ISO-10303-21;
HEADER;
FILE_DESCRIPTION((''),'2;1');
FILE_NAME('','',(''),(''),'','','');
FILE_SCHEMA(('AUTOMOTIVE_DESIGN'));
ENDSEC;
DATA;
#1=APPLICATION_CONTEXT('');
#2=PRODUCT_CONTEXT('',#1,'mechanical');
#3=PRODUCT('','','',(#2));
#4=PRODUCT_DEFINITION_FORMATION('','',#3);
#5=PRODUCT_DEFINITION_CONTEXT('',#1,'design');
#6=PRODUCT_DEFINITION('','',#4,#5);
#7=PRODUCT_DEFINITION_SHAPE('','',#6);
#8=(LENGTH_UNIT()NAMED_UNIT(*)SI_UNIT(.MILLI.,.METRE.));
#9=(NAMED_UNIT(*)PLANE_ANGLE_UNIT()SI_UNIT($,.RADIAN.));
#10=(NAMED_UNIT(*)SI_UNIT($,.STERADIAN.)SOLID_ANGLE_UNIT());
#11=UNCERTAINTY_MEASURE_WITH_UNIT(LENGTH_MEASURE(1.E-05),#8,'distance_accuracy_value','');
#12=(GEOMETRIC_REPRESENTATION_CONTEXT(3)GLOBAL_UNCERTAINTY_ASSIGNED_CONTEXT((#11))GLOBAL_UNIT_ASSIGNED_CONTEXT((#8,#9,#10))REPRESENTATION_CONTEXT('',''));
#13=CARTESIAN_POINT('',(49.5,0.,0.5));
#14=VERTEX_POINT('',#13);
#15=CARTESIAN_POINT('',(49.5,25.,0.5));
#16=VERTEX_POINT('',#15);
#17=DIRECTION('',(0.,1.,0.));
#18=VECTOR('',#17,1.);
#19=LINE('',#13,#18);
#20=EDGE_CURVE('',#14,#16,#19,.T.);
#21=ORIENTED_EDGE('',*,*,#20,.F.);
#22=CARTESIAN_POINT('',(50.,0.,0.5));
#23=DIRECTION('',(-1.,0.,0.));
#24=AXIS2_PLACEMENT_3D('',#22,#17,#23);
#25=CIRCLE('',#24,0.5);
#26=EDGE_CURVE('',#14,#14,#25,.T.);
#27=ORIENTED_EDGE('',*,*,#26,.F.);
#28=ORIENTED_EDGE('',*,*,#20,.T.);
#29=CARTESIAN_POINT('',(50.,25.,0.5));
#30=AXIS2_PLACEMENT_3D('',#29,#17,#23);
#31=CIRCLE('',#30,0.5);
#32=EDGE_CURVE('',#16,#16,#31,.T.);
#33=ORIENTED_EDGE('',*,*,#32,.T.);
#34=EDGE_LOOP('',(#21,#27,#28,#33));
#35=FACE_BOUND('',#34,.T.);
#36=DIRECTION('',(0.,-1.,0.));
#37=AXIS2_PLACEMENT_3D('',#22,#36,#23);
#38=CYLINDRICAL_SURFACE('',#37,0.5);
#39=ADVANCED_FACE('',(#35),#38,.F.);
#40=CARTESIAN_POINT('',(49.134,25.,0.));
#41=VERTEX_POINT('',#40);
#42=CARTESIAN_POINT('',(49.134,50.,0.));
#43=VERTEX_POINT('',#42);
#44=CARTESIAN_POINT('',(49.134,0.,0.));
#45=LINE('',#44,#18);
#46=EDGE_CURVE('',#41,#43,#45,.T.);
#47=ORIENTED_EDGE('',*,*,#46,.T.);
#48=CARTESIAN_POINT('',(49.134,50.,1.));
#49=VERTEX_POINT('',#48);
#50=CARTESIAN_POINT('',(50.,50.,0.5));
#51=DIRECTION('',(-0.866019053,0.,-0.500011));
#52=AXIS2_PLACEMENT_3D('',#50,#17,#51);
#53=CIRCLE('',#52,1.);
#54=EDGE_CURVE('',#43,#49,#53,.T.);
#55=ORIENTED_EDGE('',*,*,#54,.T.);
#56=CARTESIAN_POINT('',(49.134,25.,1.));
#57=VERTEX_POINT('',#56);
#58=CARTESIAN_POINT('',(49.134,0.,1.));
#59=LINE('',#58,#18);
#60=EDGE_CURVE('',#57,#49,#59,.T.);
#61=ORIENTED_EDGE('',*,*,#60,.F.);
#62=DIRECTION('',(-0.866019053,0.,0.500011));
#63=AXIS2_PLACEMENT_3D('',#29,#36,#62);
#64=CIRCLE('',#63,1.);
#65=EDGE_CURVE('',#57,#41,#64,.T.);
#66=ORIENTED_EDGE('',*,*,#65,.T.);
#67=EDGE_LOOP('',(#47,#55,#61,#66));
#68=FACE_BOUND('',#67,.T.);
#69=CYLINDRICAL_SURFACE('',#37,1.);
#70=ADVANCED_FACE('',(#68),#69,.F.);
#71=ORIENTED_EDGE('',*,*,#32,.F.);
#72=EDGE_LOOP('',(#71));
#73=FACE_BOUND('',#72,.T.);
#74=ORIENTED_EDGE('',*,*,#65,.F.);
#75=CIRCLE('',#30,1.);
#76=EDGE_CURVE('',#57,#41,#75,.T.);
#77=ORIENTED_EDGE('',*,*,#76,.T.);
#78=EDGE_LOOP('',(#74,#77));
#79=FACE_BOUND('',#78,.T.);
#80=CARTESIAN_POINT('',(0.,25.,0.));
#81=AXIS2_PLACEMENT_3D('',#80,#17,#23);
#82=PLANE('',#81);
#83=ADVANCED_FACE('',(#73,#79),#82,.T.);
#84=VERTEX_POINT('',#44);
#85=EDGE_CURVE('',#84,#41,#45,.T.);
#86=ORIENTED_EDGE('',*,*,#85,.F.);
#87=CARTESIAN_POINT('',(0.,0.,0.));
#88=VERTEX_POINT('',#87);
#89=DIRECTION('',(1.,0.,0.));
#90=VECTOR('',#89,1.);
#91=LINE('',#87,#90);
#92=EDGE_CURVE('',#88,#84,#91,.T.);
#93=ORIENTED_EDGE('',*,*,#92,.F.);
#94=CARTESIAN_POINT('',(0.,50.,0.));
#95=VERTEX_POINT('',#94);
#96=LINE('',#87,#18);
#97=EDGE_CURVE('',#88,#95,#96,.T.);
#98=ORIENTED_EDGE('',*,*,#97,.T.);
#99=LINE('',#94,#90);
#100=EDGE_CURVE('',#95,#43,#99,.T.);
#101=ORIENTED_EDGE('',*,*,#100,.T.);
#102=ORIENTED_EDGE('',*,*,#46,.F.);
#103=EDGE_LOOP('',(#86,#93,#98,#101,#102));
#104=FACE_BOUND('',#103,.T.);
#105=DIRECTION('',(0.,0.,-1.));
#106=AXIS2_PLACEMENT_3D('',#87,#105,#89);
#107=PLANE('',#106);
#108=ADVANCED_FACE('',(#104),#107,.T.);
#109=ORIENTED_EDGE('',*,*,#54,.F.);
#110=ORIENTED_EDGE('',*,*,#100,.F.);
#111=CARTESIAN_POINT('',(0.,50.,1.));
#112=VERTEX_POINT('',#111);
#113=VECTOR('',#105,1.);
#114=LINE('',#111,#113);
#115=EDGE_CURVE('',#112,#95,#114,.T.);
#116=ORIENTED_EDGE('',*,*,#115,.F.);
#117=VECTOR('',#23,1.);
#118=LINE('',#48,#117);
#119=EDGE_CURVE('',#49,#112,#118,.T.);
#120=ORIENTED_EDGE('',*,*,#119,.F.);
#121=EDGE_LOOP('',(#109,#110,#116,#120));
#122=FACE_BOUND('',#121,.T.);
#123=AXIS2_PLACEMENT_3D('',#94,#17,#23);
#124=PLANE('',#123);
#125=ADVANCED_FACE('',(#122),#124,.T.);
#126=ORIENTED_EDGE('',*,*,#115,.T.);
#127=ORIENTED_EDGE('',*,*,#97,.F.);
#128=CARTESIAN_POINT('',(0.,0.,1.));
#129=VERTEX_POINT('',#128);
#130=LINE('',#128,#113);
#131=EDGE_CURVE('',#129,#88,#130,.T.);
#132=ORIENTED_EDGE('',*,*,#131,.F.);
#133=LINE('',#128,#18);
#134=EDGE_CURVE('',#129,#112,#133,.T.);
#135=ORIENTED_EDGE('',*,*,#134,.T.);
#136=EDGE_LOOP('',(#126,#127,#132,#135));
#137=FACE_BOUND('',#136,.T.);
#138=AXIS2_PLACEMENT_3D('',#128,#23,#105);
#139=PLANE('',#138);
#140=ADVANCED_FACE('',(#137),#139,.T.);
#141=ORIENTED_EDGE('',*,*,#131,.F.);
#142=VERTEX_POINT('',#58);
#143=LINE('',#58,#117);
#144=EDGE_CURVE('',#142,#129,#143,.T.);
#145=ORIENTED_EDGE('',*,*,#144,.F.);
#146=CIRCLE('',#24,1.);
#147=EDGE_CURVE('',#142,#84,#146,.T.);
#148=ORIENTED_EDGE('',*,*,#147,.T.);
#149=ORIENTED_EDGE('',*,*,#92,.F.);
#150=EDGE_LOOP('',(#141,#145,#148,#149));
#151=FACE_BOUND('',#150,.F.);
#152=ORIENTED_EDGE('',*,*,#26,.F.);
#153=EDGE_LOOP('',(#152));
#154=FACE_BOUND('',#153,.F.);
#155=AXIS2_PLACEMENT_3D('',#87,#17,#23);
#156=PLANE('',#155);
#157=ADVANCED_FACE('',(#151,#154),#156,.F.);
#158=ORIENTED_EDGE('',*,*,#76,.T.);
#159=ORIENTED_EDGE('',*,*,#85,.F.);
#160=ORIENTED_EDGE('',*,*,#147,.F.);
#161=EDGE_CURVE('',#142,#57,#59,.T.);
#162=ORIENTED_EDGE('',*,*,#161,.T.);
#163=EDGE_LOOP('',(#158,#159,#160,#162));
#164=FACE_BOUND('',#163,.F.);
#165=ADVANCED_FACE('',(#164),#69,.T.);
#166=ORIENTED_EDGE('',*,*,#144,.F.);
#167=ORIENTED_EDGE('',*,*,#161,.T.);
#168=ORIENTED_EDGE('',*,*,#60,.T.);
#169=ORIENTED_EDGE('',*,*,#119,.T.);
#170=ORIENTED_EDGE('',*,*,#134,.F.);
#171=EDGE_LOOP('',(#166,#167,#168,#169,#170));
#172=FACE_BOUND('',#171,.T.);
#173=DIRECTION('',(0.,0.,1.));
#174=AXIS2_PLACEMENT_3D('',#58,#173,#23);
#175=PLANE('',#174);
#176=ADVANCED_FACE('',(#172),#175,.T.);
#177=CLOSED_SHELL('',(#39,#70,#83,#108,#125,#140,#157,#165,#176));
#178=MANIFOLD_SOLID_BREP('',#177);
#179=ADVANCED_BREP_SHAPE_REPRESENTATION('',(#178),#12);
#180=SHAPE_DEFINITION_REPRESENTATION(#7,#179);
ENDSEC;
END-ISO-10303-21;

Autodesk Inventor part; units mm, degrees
ref_plane "YZ Plane" through (0, 0, 0) normal (1, 0, 0) x (0, 1, 0)
ref_plane "XZ Plane" through (0, 0, 0) normal (0, 1, 0) x (-1, 0, 0)
ref_plane "XY Plane" through (0, 0, 0) normal (0, 0, 1) x (1, 0, 0)
sketch "Szkic1" plane through (0, 0, 0) normal (0, 1, 0) x (-1, 0, 0)
  line L0 (0, 0) -> (-49.134, 0)
  line L1 (-49.134, 1) -> (0, 1)
  line L2 (0, 1) -> (0, 0)
  circle A0 centre (-50, 0.5) radius 1
  circle A1 centre (-50, 0.5) radius 0.5
  dimension "d2" = 2
  dimension "d3" = 1
  dimension "d4" = 49.134
  dimension "d9" = 1
extrude "Wyciągnięcie proste1" add sketch "Szkic1" along normal blind 50 contours L0 A0 L1 L2
extrude "Wyciągnięcie proste3" add sketch "Szkic1" along normal blind 25 contours A0
properties part number "zawias"
